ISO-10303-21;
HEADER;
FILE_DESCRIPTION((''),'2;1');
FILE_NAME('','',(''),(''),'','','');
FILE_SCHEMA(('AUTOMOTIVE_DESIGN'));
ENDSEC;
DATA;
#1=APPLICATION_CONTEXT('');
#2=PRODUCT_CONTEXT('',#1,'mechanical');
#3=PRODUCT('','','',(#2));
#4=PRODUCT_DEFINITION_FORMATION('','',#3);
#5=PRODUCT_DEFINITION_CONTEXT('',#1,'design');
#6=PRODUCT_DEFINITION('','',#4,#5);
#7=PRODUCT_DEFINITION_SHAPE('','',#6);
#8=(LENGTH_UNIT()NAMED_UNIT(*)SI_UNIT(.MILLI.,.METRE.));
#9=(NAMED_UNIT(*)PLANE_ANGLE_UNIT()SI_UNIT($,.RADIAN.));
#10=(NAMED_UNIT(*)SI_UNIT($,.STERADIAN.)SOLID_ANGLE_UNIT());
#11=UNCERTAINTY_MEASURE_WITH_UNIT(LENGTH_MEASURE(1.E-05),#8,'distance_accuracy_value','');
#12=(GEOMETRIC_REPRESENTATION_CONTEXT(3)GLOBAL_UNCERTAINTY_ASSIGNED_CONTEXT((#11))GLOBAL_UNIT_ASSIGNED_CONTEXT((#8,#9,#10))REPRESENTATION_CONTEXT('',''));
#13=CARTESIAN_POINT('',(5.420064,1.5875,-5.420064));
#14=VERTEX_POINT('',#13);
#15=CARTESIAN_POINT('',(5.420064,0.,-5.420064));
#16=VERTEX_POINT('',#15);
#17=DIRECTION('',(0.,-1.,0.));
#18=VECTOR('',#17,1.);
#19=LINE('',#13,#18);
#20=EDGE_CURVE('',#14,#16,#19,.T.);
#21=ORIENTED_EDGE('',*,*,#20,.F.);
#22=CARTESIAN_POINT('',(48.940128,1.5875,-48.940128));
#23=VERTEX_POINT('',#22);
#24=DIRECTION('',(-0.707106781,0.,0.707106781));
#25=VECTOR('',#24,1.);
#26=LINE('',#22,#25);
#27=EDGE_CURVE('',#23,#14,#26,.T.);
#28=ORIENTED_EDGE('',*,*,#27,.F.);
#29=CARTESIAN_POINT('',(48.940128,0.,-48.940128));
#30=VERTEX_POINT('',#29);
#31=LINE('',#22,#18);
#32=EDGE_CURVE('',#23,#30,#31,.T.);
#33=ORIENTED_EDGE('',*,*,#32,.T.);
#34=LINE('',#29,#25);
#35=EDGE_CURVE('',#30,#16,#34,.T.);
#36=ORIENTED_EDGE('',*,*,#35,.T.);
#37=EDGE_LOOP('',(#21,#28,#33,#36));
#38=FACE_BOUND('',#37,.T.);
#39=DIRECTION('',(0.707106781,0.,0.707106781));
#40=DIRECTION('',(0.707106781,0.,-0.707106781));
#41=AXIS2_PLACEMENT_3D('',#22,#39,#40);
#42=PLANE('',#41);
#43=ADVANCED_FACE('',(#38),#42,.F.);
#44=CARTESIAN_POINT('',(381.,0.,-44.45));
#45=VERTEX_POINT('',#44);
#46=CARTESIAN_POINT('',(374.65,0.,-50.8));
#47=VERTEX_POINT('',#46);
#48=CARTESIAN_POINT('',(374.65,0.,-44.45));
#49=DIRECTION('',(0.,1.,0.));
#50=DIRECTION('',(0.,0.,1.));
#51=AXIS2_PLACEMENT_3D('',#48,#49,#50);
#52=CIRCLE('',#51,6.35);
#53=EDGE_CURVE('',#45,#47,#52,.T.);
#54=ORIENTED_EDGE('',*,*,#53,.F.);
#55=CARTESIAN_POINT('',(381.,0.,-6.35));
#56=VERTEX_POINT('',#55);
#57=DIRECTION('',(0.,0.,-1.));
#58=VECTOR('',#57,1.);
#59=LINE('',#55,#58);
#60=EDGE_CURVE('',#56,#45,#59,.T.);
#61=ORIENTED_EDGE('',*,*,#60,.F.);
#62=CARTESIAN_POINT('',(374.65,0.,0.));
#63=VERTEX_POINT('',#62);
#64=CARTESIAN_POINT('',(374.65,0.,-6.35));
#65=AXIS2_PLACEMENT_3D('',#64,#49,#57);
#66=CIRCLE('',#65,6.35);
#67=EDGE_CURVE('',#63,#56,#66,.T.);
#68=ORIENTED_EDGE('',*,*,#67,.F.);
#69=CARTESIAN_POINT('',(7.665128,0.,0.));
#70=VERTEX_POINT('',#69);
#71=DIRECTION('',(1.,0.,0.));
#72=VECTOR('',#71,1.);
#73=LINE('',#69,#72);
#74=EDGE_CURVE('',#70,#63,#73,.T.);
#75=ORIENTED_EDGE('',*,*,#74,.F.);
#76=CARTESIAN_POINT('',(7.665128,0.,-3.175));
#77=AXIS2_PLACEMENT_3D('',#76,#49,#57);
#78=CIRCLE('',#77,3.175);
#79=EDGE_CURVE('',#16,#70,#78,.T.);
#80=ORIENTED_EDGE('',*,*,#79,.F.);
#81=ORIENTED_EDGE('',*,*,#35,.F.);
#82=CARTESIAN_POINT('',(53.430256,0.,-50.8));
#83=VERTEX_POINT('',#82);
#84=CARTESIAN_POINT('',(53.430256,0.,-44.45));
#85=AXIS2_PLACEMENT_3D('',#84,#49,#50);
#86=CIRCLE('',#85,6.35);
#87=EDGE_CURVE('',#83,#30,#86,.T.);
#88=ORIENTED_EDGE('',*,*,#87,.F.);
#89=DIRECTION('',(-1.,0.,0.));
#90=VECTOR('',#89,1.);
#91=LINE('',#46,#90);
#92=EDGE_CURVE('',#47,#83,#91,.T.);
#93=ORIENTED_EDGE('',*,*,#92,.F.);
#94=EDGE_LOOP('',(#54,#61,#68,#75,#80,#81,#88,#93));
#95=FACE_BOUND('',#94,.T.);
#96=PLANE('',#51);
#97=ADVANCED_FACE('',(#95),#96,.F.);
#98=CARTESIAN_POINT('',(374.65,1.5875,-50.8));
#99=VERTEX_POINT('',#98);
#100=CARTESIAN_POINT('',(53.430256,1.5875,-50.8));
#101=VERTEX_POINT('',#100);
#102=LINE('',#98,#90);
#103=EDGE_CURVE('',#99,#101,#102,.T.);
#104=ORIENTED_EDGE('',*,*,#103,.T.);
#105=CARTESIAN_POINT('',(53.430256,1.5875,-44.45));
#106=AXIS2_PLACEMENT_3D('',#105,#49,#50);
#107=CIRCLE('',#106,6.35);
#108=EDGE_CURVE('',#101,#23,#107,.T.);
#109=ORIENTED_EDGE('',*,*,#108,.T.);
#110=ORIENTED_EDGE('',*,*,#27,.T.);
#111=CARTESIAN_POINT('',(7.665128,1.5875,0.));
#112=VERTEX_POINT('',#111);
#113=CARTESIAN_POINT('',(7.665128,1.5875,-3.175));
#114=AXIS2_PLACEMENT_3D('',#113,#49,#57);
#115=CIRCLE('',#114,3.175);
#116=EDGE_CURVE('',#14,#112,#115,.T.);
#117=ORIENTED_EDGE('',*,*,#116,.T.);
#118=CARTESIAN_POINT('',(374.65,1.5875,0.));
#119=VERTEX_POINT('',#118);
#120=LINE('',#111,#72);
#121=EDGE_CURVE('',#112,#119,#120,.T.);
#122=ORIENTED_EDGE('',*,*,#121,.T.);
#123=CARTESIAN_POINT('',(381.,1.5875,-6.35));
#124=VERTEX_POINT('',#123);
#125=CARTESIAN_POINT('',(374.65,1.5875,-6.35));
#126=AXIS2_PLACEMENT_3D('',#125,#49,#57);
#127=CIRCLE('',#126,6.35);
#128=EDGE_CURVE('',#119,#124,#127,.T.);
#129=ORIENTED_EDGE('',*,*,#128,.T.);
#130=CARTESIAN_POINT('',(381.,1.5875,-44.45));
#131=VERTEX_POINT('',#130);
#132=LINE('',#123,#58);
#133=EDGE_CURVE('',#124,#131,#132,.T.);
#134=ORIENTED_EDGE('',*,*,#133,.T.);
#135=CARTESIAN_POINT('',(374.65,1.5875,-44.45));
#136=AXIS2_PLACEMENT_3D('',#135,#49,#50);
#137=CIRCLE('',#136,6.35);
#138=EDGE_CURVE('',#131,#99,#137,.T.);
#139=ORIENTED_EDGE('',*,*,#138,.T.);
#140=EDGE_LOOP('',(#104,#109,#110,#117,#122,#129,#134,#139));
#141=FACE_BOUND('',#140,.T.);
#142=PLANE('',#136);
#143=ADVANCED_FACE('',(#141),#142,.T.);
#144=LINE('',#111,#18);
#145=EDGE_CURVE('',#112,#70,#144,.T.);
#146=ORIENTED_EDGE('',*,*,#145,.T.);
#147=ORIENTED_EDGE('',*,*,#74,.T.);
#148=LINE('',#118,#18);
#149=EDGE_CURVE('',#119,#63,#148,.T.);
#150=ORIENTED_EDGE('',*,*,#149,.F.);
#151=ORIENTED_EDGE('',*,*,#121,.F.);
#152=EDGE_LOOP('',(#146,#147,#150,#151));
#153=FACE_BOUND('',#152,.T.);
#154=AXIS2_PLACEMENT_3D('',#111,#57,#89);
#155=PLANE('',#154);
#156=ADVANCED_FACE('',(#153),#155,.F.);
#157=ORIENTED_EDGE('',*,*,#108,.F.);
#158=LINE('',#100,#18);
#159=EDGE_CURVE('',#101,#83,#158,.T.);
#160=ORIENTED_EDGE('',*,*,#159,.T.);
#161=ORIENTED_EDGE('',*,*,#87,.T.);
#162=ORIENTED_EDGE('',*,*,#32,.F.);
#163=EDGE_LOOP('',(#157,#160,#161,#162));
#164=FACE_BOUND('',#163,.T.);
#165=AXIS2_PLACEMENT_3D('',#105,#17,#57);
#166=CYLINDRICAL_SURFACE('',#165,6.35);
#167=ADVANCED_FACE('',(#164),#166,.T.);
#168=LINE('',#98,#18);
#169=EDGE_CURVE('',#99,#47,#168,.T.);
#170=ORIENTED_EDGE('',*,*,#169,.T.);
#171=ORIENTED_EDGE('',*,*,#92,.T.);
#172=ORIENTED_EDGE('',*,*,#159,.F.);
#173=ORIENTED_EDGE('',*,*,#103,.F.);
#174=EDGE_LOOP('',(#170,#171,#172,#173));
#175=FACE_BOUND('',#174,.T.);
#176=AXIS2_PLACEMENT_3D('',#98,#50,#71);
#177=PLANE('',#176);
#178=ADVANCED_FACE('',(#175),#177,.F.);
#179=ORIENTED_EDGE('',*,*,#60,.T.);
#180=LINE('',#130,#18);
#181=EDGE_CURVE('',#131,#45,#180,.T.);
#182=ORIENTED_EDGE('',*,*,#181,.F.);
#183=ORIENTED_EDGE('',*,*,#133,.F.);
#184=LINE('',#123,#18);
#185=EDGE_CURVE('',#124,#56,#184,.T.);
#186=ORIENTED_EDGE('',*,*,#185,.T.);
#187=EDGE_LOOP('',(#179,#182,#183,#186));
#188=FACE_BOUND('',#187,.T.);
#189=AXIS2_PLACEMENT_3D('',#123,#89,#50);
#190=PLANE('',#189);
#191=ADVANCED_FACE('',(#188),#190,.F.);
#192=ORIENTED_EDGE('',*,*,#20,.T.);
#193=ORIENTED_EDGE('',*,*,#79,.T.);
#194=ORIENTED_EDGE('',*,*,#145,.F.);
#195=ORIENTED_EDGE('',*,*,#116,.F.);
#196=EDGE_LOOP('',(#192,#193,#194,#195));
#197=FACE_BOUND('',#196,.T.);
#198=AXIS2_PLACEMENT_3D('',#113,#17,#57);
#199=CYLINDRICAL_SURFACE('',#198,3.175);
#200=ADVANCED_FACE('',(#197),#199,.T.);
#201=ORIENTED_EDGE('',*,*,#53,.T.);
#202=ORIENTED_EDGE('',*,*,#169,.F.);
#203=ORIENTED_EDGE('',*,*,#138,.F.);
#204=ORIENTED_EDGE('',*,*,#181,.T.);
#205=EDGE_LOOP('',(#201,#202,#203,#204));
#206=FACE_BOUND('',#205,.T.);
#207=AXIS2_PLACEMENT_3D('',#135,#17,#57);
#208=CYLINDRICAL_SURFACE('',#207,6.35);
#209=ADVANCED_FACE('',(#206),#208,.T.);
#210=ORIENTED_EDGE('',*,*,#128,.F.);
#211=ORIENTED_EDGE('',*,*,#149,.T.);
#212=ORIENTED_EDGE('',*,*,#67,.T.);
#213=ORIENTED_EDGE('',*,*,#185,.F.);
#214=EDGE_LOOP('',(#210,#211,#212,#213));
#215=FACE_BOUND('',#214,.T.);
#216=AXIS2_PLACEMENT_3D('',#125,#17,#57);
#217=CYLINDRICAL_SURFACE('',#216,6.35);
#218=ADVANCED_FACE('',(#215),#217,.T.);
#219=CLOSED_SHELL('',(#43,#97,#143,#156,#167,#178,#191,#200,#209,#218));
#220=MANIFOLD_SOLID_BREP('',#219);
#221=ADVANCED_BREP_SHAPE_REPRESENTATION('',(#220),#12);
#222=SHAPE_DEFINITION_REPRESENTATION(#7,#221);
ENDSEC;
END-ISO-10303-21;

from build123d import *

# Parameters (mm, degrees)
BOSS_EXTRUDE1_DEPTH = 1.5875


with BuildPart() as part:
    # Sketch1 → Boss-Extrude1 (new body)
    with BuildSketch(Plane(origin=(0, 0, 0), x_dir=(1, 0, 0), z_dir=(0, 1, 0))):
        with BuildLine():
            Line((7.665128061, 0), (374.65, 0))
            ThreePointArc((374.65, 0), (379.140128061, 1.859871939), (381, 6.35))
            Line((381, 6.35), (381, 44.45))
            ThreePointArc((381, 44.45), (379.140128061, 48.940128061), (374.65, 50.8))
            Line((374.65, 50.8), (53.430256121, 50.8))
            ThreePointArc((53.430256121, 50.8), (51.000216326, 50.316635031), (48.940128061, 48.940128061))
            Line((48.940128061, 48.940128061), (5.42006403, 5.42006403))
            ThreePointArc((5.42006403, 5.42006403), (4.731810545, 1.959980102), (7.665128061, 0))
        make_face()
    extrude(amount=BOSS_EXTRUDE1_DEPTH)


solid = part.part
